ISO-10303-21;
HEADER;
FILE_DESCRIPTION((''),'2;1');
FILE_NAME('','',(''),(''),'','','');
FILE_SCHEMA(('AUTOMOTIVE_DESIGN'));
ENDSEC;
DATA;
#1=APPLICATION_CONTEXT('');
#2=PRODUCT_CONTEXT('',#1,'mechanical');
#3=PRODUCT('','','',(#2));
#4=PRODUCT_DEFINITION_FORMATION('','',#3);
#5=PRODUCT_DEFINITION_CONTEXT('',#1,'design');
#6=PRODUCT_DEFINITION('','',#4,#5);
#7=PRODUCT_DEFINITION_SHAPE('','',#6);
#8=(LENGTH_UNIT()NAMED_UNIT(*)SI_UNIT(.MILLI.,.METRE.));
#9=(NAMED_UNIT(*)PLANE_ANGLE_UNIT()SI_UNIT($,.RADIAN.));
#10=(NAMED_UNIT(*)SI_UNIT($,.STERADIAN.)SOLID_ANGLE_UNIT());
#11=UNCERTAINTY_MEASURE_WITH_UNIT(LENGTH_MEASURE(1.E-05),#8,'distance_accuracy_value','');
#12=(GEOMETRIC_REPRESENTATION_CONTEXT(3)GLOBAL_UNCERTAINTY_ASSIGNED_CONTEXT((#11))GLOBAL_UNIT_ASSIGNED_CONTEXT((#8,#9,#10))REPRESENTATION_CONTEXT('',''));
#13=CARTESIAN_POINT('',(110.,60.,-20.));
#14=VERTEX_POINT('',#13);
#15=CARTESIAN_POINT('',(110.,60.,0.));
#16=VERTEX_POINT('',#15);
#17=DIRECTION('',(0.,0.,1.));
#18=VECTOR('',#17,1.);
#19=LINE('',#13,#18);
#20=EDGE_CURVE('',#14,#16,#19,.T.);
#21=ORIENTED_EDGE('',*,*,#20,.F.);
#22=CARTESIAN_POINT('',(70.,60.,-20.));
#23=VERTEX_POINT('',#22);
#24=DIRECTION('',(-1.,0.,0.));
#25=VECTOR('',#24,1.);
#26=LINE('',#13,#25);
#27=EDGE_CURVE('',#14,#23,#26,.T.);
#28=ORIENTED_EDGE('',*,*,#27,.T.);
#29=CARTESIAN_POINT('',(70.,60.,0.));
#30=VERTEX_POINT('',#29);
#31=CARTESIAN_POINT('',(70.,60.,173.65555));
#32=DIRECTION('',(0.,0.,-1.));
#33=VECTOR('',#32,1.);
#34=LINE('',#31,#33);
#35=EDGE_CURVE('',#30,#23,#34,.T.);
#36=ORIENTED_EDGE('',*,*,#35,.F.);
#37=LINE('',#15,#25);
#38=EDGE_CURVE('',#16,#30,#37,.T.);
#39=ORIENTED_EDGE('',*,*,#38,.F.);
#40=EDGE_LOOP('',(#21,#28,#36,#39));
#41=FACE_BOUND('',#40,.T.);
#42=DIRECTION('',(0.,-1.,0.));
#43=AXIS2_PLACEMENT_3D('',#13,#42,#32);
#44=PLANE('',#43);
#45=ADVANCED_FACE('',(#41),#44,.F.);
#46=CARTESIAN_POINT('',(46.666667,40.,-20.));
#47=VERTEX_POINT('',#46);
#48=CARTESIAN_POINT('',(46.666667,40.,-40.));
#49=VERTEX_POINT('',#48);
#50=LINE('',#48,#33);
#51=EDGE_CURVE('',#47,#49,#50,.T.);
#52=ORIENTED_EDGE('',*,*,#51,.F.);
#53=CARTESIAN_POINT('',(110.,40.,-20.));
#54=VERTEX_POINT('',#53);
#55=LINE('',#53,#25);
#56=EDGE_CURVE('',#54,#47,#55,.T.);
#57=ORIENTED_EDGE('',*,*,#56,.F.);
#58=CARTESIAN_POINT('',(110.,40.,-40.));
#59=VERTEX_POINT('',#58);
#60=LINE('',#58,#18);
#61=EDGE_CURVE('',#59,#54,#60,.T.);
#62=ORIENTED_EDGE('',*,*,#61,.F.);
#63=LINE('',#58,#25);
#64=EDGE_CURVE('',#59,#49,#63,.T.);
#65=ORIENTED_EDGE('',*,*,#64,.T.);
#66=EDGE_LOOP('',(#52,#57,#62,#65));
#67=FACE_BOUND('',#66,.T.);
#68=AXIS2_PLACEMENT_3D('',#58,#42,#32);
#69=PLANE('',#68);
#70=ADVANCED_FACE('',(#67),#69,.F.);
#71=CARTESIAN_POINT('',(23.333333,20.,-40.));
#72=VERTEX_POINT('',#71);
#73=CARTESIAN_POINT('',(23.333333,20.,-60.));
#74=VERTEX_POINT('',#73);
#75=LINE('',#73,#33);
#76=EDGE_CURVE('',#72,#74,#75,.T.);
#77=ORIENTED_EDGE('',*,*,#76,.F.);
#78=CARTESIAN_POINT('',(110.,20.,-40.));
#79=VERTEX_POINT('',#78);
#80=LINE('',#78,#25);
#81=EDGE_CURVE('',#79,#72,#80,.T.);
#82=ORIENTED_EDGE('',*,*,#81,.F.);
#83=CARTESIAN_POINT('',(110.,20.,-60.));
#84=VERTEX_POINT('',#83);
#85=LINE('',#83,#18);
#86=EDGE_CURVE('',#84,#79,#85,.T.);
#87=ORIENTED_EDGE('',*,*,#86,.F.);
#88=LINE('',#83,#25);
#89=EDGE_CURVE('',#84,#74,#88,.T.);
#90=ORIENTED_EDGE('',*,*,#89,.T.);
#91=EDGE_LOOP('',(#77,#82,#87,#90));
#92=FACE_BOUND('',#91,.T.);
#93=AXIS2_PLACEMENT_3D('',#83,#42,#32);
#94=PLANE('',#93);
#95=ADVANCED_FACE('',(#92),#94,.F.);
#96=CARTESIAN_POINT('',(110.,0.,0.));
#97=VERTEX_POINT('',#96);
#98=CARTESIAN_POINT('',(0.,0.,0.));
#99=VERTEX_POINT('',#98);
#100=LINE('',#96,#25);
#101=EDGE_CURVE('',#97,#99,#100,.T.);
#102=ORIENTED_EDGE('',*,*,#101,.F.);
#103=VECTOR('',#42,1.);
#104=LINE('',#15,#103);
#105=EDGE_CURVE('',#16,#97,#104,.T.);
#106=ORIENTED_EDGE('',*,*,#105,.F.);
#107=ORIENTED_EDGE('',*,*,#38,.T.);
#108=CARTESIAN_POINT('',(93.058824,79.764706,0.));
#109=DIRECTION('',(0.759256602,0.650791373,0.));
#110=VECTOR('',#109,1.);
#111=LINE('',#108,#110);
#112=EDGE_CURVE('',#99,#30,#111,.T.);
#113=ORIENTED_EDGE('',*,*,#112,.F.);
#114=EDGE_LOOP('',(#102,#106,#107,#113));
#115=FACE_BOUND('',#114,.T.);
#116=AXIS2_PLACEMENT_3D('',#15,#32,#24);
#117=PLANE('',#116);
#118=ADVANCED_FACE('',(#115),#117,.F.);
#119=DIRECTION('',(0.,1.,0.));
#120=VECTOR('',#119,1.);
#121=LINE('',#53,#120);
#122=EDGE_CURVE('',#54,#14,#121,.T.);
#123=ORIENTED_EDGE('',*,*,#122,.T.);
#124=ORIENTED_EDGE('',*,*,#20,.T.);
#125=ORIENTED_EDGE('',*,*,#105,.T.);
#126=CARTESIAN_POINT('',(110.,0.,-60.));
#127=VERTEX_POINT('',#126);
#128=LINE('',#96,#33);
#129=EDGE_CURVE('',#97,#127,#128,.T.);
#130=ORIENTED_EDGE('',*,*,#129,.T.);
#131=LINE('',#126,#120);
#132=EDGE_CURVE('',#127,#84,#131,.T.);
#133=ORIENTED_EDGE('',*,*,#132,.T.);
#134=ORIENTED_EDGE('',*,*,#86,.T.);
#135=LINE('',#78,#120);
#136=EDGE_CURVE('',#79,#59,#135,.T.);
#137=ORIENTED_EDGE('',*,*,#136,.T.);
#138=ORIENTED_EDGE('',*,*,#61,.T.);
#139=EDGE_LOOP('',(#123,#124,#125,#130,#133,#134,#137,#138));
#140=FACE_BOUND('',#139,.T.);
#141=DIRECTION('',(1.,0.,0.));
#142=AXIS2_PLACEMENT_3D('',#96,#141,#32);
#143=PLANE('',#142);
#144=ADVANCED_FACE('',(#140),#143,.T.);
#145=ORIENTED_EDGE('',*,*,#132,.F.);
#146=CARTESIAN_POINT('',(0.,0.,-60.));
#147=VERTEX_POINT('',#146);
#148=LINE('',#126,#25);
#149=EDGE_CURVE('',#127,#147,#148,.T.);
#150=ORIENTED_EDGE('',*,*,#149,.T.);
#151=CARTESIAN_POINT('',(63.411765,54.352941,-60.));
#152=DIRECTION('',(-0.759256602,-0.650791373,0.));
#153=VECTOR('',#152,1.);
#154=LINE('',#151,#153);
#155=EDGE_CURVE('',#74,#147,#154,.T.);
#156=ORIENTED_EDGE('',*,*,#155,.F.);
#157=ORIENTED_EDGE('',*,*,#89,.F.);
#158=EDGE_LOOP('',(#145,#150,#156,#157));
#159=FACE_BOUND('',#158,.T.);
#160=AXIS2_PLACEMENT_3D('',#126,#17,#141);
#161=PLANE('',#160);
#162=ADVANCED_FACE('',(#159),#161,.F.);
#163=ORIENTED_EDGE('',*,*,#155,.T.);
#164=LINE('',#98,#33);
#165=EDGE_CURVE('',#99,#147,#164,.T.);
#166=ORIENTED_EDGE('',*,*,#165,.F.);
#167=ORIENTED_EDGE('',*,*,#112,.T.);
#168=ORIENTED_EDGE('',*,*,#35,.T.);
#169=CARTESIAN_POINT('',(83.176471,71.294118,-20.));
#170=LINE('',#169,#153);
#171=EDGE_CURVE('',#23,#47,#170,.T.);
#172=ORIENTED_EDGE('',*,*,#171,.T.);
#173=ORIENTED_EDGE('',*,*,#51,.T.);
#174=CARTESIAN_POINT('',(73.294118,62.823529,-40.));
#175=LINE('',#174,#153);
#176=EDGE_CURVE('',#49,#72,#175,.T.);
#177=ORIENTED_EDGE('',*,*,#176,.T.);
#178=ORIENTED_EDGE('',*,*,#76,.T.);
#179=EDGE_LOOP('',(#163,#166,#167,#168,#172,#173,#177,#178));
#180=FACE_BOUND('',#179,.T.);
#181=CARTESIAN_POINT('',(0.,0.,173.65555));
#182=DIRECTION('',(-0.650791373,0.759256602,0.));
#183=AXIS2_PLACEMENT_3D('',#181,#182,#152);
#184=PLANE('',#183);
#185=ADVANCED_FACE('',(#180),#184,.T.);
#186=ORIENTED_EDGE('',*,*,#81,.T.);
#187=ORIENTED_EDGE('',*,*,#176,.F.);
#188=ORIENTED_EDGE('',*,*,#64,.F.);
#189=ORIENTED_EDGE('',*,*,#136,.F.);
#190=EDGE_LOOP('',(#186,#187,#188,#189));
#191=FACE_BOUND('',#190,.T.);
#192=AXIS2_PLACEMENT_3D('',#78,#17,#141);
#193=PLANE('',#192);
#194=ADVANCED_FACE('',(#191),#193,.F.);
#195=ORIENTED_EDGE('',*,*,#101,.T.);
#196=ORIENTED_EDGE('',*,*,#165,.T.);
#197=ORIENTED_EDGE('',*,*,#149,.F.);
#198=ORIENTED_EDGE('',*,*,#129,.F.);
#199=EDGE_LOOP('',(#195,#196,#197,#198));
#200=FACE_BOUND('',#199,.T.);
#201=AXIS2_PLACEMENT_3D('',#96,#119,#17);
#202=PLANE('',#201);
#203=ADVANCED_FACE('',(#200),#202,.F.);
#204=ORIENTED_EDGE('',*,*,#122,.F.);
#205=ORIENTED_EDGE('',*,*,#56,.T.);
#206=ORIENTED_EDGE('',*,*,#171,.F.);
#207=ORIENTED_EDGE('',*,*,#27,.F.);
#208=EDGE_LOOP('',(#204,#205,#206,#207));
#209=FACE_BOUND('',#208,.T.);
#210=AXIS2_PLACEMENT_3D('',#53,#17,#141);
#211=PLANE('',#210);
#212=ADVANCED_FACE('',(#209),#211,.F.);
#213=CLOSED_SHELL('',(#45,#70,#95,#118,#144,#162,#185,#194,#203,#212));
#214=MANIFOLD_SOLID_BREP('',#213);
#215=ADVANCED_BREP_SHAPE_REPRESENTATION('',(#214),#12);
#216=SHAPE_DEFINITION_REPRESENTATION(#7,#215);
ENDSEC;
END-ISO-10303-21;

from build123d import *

# Parameters (mm, degrees)
SALIENTE_EXTRUIR1_DEPTH    = 110
CORTAR_EXTRUIR1_DEPTH      = 139.924439894
CORTAR_EXTRUIR1_DEPTH_BACK = 139.924439894


with BuildPart() as part:
    # Croquis2 → Saliente-Extruir1 (new body)
    with BuildSketch(Plane(origin=(0, 0, 0), x_dir=(0, 0, -1), z_dir=(1, 0, 0))):
        Polygon((0, 0), (60, 0), (60, 20), (40, 20), (40, 40), (20, 40), (20, 60), (0, 60), align=None)
    extrude(amount=SALIENTE_EXTRUIR1_DEPTH)

    # Croquis3 → Cortar-Extruir1 (cut, two sides: drawn at the far end of the back side and taken through both)
    with BuildSketch(Plane.XY.offset(-CORTAR_EXTRUIR1_DEPTH_BACK)):
        Polygon((-197.86172522, -169.595764474), (0, 0), (70, 60), (267.86172522, 229.595764474), (-71.329803728, 625.319214913), (-537.053254168, 226.127685965), align=None)
    extrude(amount=CORTAR_EXTRUIR1_DEPTH + CORTAR_EXTRUIR1_DEPTH_BACK, mode=Mode.SUBTRACT)


solid = part.part
